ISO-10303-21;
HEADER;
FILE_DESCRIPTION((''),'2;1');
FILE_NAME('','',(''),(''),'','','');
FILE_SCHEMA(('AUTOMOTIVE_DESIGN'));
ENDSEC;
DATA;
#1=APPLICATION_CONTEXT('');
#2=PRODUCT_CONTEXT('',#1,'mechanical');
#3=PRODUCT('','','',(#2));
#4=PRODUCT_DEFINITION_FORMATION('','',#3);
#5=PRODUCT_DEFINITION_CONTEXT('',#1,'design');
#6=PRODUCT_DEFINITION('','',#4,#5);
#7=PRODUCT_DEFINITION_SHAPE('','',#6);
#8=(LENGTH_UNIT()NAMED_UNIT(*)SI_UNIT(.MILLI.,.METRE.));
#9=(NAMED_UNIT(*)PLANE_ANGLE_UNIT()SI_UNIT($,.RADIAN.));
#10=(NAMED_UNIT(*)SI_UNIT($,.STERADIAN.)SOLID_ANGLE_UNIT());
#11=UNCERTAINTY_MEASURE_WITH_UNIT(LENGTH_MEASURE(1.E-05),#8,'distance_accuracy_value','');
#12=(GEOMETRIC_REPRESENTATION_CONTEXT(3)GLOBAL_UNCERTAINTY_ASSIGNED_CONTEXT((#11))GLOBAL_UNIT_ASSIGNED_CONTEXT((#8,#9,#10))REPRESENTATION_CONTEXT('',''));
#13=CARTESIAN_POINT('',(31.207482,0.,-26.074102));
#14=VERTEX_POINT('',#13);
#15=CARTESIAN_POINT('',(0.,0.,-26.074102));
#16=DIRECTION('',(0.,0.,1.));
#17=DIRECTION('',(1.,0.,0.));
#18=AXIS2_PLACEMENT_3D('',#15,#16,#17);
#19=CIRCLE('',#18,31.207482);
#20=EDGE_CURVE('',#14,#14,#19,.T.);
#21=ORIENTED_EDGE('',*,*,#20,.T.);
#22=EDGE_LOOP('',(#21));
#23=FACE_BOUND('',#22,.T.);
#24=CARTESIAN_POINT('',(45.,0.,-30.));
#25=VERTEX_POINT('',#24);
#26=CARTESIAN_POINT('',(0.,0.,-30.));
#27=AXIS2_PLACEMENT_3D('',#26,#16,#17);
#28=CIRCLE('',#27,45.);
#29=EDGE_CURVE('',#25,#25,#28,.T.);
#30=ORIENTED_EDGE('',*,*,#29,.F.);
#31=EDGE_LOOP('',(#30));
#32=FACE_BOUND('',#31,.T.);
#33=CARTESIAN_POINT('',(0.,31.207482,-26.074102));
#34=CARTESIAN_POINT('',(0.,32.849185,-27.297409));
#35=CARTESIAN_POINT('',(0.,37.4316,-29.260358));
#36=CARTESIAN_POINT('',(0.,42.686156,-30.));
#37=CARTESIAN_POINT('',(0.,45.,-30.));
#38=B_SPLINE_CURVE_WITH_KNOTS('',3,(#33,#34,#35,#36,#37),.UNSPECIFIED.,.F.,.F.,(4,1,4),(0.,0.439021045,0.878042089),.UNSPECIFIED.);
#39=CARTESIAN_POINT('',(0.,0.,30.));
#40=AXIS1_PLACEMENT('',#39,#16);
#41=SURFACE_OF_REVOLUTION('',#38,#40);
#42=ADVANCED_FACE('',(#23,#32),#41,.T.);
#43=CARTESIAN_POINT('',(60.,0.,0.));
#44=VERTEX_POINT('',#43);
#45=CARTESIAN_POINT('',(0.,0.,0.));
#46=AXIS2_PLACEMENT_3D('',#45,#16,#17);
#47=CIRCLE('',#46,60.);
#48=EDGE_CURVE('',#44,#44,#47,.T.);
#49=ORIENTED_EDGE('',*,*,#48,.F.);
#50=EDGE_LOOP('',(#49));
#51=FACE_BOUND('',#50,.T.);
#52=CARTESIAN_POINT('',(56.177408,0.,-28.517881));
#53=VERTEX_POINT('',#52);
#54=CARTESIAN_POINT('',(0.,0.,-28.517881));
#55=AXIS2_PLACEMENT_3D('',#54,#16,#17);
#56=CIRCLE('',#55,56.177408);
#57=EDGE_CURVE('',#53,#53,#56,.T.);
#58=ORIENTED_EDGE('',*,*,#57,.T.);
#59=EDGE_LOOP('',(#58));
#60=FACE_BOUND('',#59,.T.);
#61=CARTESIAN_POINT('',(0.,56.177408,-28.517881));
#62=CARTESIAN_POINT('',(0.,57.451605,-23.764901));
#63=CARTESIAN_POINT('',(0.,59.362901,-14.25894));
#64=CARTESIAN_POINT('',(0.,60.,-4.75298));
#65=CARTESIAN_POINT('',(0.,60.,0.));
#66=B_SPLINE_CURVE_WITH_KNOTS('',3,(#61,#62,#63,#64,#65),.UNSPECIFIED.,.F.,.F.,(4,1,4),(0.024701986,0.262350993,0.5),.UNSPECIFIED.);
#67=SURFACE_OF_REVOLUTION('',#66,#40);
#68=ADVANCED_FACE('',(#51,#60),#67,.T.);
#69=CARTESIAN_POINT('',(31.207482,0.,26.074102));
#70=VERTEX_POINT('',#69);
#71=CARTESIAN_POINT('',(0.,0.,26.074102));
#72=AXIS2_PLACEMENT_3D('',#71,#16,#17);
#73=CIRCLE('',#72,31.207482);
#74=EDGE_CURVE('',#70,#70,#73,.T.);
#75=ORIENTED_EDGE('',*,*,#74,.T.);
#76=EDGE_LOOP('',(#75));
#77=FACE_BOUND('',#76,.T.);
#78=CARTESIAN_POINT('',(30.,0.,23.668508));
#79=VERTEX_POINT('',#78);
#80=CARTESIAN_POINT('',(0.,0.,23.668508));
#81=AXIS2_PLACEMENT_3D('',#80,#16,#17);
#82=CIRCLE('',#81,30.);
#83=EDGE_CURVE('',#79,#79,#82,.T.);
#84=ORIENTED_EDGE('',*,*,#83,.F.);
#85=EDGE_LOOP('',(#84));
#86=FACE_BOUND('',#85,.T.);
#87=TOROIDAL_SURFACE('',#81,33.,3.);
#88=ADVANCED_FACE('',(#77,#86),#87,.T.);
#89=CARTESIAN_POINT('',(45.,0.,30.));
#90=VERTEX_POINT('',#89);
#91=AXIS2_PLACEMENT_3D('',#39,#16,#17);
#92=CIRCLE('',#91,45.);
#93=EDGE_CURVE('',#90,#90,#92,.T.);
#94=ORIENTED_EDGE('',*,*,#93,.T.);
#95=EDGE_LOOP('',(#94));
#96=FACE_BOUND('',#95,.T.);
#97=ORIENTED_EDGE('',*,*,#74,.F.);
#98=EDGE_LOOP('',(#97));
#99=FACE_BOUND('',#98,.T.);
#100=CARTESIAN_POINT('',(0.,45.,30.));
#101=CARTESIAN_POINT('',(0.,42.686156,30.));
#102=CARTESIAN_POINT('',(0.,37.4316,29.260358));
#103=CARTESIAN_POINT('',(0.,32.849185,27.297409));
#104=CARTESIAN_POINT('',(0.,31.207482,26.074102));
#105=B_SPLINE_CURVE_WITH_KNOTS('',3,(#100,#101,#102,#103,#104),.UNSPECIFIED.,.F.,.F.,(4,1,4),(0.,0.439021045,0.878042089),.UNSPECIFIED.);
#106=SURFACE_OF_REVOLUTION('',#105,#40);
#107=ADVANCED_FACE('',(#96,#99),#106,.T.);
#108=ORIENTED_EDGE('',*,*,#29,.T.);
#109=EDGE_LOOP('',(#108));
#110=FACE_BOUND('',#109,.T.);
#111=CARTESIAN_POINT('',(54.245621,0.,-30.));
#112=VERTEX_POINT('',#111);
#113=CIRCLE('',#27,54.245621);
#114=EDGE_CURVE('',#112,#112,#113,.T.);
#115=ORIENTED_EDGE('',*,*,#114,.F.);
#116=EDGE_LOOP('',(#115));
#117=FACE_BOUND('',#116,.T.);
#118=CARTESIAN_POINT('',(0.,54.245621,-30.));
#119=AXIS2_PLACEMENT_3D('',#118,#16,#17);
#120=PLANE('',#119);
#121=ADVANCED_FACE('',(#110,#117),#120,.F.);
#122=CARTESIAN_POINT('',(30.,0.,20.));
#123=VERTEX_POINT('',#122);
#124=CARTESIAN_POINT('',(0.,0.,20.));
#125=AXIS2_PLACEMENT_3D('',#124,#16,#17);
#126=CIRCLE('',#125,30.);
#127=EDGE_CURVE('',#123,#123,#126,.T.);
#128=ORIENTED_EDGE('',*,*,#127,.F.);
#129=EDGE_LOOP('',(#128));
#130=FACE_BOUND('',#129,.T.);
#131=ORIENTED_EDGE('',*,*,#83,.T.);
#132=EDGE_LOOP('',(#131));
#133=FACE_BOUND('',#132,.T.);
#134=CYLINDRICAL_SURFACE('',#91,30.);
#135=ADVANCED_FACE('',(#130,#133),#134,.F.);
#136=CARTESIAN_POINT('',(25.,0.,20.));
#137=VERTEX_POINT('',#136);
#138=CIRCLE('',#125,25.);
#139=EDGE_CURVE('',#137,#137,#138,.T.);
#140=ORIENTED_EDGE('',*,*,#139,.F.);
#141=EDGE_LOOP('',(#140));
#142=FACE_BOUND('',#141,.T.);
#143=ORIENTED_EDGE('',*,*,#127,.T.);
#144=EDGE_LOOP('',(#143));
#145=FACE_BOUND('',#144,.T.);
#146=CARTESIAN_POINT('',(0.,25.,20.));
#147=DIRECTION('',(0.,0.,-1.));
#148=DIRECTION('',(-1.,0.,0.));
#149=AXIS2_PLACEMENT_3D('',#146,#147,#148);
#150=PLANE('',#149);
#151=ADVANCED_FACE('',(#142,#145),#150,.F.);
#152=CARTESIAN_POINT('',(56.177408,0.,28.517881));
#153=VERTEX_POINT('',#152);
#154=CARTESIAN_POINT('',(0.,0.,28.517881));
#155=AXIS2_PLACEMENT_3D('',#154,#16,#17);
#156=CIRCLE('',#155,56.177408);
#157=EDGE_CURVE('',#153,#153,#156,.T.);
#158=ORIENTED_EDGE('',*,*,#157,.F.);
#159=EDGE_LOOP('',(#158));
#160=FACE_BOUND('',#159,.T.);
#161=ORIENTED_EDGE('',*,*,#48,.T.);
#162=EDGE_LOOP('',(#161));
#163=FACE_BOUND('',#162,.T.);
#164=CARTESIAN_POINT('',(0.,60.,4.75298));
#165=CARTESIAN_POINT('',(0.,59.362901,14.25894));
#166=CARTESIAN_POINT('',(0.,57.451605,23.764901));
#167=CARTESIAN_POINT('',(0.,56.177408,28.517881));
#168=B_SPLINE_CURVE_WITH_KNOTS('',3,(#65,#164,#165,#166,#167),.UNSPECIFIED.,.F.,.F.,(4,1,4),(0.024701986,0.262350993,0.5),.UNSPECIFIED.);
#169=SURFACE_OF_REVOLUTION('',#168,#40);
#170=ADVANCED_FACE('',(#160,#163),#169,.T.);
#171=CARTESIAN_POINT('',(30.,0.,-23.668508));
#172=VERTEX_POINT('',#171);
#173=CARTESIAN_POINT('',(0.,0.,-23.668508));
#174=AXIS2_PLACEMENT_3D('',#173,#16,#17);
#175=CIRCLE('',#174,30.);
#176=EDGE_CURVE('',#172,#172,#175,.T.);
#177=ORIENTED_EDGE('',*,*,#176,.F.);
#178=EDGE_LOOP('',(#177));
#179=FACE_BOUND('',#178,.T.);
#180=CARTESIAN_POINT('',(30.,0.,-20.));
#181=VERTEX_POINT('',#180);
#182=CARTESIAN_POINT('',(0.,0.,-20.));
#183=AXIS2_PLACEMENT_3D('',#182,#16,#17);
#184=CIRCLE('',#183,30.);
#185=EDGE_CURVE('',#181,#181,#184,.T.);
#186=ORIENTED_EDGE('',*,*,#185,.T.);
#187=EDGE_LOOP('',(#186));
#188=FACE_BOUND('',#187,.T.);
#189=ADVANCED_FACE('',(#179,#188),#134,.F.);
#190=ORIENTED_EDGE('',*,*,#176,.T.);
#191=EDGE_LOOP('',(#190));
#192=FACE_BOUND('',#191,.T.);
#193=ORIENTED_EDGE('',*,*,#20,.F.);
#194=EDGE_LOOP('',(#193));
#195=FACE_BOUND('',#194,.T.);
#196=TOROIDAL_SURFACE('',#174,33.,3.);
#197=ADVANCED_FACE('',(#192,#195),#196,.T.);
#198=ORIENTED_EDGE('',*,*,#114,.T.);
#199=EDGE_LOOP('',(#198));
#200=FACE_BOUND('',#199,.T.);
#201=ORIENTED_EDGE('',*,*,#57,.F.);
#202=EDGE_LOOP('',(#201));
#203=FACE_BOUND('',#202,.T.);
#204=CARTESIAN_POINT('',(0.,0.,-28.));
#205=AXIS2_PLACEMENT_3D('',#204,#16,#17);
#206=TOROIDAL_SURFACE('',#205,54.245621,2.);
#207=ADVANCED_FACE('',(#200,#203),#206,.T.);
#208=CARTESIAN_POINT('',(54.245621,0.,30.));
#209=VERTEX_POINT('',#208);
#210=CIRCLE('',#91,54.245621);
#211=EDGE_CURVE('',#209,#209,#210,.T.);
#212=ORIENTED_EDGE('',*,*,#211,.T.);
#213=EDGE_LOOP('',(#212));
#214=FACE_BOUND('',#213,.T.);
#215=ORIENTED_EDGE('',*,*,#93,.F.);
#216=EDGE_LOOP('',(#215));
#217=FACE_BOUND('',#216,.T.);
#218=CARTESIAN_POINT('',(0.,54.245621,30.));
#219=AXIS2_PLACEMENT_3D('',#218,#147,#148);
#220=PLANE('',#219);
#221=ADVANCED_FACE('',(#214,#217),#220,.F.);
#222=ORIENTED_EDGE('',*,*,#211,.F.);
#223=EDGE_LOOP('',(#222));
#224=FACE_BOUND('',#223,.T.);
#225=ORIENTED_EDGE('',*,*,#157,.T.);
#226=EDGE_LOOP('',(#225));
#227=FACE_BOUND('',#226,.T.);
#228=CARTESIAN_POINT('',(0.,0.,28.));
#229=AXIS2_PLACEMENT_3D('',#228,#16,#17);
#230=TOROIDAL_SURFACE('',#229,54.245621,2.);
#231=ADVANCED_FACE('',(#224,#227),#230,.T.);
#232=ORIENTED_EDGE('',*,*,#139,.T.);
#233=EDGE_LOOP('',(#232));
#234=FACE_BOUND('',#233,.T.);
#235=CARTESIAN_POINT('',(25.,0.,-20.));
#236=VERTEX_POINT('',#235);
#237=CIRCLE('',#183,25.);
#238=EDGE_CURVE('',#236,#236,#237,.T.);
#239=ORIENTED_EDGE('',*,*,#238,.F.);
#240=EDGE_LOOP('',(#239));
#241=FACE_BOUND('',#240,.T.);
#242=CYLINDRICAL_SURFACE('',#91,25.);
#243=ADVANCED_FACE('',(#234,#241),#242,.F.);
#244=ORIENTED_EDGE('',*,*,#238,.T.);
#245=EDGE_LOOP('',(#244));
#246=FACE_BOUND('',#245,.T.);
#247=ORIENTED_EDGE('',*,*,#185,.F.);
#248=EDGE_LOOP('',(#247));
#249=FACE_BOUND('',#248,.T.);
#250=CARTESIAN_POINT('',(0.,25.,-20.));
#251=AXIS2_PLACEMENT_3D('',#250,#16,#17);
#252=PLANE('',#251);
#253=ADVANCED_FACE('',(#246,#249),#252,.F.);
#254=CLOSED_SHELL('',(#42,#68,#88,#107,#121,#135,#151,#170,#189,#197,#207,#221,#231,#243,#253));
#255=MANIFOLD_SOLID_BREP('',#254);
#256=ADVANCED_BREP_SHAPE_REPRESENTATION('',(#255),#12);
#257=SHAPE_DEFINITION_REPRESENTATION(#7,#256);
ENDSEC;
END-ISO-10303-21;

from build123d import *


with BuildPart() as part:
    # Sketch1 → Revolve1 (revolve)
    with BuildSketch(Plane(origin=(0, 0, 0), x_dir=(0, 0, -1), z_dir=(1, 0, 0))):
        with BuildLine():
            Line((20, 25), (-20, 25))
            Line((-20, 25), (-20, 30))
            Line((-20, 30), (-23.668508033, 30))
            ThreePointArc((-23.668508033, 30), (-25.014325105, 30.318810635), (-26.074101646, 31.207482393))
            add(Edge.make_bspline(
                [(-30, 45), (-30, 42.68615593), (-29.260358377, 37.431599739), (-27.2974092, 32.849185005), (-26.074101646, 31.207482393)],
                knots=[0, 0, 0, 0, 0.439021045, 0.878042089, 0.878042089, 0.878042089, 0.878042089], degree=3))
            Line((-30, 45), (-30, 54.245621199))
            ThreePointArc((-30, 54.245621199), (-29.586783181, 55.463044353), (-28.517880862, 56.177407784))
            add(Edge.make_bspline(
                [(-28.517880862, 56.177407784), (-23.764900718, 57.45160519), (-14.258940431, 59.362901297), (-4.752980144, 60), (0, 60)],
                knots=[0.024701986, 0.024701986, 0.024701986, 0.024701986, 0.262350993, 0.5, 0.5, 0.5, 0.5], degree=3))
            add(Edge.make_bspline(
                [(28.517880862, 56.177407784), (23.764900718, 57.45160519), (14.258940431, 59.362901297), (4.752980144, 60), (0, 60)],
                knots=[0.024701986, 0.024701986, 0.024701986, 0.024701986, 0.262350993, 0.5, 0.5, 0.5, 0.5], degree=3))
            ThreePointArc((28.517880862, 56.177407784), (29.586783181, 55.463044353), (30, 54.245621199))
            Line((30, 54.245621199), (30, 45))
            add(Edge.make_bspline(
                [(30, 45), (30, 42.68615593), (29.260358377, 37.431599739), (27.2974092, 32.849185005), (26.074101646, 31.207482393)],
                knots=[0, 0, 0, 0, 0.439021045, 0.878042089, 0.878042089, 0.878042089, 0.878042089], degree=3))
            ThreePointArc((26.074101646, 31.207482393), (25.014325105, 30.318810635), (23.668508033, 30))
            Line((23.668508033, 30), (20, 30))
            Line((20, 30), (20, 25))
        make_face()
    revolve(axis=Axis((0, 0, 30), (0, 0, -1)))


solid = part.part
